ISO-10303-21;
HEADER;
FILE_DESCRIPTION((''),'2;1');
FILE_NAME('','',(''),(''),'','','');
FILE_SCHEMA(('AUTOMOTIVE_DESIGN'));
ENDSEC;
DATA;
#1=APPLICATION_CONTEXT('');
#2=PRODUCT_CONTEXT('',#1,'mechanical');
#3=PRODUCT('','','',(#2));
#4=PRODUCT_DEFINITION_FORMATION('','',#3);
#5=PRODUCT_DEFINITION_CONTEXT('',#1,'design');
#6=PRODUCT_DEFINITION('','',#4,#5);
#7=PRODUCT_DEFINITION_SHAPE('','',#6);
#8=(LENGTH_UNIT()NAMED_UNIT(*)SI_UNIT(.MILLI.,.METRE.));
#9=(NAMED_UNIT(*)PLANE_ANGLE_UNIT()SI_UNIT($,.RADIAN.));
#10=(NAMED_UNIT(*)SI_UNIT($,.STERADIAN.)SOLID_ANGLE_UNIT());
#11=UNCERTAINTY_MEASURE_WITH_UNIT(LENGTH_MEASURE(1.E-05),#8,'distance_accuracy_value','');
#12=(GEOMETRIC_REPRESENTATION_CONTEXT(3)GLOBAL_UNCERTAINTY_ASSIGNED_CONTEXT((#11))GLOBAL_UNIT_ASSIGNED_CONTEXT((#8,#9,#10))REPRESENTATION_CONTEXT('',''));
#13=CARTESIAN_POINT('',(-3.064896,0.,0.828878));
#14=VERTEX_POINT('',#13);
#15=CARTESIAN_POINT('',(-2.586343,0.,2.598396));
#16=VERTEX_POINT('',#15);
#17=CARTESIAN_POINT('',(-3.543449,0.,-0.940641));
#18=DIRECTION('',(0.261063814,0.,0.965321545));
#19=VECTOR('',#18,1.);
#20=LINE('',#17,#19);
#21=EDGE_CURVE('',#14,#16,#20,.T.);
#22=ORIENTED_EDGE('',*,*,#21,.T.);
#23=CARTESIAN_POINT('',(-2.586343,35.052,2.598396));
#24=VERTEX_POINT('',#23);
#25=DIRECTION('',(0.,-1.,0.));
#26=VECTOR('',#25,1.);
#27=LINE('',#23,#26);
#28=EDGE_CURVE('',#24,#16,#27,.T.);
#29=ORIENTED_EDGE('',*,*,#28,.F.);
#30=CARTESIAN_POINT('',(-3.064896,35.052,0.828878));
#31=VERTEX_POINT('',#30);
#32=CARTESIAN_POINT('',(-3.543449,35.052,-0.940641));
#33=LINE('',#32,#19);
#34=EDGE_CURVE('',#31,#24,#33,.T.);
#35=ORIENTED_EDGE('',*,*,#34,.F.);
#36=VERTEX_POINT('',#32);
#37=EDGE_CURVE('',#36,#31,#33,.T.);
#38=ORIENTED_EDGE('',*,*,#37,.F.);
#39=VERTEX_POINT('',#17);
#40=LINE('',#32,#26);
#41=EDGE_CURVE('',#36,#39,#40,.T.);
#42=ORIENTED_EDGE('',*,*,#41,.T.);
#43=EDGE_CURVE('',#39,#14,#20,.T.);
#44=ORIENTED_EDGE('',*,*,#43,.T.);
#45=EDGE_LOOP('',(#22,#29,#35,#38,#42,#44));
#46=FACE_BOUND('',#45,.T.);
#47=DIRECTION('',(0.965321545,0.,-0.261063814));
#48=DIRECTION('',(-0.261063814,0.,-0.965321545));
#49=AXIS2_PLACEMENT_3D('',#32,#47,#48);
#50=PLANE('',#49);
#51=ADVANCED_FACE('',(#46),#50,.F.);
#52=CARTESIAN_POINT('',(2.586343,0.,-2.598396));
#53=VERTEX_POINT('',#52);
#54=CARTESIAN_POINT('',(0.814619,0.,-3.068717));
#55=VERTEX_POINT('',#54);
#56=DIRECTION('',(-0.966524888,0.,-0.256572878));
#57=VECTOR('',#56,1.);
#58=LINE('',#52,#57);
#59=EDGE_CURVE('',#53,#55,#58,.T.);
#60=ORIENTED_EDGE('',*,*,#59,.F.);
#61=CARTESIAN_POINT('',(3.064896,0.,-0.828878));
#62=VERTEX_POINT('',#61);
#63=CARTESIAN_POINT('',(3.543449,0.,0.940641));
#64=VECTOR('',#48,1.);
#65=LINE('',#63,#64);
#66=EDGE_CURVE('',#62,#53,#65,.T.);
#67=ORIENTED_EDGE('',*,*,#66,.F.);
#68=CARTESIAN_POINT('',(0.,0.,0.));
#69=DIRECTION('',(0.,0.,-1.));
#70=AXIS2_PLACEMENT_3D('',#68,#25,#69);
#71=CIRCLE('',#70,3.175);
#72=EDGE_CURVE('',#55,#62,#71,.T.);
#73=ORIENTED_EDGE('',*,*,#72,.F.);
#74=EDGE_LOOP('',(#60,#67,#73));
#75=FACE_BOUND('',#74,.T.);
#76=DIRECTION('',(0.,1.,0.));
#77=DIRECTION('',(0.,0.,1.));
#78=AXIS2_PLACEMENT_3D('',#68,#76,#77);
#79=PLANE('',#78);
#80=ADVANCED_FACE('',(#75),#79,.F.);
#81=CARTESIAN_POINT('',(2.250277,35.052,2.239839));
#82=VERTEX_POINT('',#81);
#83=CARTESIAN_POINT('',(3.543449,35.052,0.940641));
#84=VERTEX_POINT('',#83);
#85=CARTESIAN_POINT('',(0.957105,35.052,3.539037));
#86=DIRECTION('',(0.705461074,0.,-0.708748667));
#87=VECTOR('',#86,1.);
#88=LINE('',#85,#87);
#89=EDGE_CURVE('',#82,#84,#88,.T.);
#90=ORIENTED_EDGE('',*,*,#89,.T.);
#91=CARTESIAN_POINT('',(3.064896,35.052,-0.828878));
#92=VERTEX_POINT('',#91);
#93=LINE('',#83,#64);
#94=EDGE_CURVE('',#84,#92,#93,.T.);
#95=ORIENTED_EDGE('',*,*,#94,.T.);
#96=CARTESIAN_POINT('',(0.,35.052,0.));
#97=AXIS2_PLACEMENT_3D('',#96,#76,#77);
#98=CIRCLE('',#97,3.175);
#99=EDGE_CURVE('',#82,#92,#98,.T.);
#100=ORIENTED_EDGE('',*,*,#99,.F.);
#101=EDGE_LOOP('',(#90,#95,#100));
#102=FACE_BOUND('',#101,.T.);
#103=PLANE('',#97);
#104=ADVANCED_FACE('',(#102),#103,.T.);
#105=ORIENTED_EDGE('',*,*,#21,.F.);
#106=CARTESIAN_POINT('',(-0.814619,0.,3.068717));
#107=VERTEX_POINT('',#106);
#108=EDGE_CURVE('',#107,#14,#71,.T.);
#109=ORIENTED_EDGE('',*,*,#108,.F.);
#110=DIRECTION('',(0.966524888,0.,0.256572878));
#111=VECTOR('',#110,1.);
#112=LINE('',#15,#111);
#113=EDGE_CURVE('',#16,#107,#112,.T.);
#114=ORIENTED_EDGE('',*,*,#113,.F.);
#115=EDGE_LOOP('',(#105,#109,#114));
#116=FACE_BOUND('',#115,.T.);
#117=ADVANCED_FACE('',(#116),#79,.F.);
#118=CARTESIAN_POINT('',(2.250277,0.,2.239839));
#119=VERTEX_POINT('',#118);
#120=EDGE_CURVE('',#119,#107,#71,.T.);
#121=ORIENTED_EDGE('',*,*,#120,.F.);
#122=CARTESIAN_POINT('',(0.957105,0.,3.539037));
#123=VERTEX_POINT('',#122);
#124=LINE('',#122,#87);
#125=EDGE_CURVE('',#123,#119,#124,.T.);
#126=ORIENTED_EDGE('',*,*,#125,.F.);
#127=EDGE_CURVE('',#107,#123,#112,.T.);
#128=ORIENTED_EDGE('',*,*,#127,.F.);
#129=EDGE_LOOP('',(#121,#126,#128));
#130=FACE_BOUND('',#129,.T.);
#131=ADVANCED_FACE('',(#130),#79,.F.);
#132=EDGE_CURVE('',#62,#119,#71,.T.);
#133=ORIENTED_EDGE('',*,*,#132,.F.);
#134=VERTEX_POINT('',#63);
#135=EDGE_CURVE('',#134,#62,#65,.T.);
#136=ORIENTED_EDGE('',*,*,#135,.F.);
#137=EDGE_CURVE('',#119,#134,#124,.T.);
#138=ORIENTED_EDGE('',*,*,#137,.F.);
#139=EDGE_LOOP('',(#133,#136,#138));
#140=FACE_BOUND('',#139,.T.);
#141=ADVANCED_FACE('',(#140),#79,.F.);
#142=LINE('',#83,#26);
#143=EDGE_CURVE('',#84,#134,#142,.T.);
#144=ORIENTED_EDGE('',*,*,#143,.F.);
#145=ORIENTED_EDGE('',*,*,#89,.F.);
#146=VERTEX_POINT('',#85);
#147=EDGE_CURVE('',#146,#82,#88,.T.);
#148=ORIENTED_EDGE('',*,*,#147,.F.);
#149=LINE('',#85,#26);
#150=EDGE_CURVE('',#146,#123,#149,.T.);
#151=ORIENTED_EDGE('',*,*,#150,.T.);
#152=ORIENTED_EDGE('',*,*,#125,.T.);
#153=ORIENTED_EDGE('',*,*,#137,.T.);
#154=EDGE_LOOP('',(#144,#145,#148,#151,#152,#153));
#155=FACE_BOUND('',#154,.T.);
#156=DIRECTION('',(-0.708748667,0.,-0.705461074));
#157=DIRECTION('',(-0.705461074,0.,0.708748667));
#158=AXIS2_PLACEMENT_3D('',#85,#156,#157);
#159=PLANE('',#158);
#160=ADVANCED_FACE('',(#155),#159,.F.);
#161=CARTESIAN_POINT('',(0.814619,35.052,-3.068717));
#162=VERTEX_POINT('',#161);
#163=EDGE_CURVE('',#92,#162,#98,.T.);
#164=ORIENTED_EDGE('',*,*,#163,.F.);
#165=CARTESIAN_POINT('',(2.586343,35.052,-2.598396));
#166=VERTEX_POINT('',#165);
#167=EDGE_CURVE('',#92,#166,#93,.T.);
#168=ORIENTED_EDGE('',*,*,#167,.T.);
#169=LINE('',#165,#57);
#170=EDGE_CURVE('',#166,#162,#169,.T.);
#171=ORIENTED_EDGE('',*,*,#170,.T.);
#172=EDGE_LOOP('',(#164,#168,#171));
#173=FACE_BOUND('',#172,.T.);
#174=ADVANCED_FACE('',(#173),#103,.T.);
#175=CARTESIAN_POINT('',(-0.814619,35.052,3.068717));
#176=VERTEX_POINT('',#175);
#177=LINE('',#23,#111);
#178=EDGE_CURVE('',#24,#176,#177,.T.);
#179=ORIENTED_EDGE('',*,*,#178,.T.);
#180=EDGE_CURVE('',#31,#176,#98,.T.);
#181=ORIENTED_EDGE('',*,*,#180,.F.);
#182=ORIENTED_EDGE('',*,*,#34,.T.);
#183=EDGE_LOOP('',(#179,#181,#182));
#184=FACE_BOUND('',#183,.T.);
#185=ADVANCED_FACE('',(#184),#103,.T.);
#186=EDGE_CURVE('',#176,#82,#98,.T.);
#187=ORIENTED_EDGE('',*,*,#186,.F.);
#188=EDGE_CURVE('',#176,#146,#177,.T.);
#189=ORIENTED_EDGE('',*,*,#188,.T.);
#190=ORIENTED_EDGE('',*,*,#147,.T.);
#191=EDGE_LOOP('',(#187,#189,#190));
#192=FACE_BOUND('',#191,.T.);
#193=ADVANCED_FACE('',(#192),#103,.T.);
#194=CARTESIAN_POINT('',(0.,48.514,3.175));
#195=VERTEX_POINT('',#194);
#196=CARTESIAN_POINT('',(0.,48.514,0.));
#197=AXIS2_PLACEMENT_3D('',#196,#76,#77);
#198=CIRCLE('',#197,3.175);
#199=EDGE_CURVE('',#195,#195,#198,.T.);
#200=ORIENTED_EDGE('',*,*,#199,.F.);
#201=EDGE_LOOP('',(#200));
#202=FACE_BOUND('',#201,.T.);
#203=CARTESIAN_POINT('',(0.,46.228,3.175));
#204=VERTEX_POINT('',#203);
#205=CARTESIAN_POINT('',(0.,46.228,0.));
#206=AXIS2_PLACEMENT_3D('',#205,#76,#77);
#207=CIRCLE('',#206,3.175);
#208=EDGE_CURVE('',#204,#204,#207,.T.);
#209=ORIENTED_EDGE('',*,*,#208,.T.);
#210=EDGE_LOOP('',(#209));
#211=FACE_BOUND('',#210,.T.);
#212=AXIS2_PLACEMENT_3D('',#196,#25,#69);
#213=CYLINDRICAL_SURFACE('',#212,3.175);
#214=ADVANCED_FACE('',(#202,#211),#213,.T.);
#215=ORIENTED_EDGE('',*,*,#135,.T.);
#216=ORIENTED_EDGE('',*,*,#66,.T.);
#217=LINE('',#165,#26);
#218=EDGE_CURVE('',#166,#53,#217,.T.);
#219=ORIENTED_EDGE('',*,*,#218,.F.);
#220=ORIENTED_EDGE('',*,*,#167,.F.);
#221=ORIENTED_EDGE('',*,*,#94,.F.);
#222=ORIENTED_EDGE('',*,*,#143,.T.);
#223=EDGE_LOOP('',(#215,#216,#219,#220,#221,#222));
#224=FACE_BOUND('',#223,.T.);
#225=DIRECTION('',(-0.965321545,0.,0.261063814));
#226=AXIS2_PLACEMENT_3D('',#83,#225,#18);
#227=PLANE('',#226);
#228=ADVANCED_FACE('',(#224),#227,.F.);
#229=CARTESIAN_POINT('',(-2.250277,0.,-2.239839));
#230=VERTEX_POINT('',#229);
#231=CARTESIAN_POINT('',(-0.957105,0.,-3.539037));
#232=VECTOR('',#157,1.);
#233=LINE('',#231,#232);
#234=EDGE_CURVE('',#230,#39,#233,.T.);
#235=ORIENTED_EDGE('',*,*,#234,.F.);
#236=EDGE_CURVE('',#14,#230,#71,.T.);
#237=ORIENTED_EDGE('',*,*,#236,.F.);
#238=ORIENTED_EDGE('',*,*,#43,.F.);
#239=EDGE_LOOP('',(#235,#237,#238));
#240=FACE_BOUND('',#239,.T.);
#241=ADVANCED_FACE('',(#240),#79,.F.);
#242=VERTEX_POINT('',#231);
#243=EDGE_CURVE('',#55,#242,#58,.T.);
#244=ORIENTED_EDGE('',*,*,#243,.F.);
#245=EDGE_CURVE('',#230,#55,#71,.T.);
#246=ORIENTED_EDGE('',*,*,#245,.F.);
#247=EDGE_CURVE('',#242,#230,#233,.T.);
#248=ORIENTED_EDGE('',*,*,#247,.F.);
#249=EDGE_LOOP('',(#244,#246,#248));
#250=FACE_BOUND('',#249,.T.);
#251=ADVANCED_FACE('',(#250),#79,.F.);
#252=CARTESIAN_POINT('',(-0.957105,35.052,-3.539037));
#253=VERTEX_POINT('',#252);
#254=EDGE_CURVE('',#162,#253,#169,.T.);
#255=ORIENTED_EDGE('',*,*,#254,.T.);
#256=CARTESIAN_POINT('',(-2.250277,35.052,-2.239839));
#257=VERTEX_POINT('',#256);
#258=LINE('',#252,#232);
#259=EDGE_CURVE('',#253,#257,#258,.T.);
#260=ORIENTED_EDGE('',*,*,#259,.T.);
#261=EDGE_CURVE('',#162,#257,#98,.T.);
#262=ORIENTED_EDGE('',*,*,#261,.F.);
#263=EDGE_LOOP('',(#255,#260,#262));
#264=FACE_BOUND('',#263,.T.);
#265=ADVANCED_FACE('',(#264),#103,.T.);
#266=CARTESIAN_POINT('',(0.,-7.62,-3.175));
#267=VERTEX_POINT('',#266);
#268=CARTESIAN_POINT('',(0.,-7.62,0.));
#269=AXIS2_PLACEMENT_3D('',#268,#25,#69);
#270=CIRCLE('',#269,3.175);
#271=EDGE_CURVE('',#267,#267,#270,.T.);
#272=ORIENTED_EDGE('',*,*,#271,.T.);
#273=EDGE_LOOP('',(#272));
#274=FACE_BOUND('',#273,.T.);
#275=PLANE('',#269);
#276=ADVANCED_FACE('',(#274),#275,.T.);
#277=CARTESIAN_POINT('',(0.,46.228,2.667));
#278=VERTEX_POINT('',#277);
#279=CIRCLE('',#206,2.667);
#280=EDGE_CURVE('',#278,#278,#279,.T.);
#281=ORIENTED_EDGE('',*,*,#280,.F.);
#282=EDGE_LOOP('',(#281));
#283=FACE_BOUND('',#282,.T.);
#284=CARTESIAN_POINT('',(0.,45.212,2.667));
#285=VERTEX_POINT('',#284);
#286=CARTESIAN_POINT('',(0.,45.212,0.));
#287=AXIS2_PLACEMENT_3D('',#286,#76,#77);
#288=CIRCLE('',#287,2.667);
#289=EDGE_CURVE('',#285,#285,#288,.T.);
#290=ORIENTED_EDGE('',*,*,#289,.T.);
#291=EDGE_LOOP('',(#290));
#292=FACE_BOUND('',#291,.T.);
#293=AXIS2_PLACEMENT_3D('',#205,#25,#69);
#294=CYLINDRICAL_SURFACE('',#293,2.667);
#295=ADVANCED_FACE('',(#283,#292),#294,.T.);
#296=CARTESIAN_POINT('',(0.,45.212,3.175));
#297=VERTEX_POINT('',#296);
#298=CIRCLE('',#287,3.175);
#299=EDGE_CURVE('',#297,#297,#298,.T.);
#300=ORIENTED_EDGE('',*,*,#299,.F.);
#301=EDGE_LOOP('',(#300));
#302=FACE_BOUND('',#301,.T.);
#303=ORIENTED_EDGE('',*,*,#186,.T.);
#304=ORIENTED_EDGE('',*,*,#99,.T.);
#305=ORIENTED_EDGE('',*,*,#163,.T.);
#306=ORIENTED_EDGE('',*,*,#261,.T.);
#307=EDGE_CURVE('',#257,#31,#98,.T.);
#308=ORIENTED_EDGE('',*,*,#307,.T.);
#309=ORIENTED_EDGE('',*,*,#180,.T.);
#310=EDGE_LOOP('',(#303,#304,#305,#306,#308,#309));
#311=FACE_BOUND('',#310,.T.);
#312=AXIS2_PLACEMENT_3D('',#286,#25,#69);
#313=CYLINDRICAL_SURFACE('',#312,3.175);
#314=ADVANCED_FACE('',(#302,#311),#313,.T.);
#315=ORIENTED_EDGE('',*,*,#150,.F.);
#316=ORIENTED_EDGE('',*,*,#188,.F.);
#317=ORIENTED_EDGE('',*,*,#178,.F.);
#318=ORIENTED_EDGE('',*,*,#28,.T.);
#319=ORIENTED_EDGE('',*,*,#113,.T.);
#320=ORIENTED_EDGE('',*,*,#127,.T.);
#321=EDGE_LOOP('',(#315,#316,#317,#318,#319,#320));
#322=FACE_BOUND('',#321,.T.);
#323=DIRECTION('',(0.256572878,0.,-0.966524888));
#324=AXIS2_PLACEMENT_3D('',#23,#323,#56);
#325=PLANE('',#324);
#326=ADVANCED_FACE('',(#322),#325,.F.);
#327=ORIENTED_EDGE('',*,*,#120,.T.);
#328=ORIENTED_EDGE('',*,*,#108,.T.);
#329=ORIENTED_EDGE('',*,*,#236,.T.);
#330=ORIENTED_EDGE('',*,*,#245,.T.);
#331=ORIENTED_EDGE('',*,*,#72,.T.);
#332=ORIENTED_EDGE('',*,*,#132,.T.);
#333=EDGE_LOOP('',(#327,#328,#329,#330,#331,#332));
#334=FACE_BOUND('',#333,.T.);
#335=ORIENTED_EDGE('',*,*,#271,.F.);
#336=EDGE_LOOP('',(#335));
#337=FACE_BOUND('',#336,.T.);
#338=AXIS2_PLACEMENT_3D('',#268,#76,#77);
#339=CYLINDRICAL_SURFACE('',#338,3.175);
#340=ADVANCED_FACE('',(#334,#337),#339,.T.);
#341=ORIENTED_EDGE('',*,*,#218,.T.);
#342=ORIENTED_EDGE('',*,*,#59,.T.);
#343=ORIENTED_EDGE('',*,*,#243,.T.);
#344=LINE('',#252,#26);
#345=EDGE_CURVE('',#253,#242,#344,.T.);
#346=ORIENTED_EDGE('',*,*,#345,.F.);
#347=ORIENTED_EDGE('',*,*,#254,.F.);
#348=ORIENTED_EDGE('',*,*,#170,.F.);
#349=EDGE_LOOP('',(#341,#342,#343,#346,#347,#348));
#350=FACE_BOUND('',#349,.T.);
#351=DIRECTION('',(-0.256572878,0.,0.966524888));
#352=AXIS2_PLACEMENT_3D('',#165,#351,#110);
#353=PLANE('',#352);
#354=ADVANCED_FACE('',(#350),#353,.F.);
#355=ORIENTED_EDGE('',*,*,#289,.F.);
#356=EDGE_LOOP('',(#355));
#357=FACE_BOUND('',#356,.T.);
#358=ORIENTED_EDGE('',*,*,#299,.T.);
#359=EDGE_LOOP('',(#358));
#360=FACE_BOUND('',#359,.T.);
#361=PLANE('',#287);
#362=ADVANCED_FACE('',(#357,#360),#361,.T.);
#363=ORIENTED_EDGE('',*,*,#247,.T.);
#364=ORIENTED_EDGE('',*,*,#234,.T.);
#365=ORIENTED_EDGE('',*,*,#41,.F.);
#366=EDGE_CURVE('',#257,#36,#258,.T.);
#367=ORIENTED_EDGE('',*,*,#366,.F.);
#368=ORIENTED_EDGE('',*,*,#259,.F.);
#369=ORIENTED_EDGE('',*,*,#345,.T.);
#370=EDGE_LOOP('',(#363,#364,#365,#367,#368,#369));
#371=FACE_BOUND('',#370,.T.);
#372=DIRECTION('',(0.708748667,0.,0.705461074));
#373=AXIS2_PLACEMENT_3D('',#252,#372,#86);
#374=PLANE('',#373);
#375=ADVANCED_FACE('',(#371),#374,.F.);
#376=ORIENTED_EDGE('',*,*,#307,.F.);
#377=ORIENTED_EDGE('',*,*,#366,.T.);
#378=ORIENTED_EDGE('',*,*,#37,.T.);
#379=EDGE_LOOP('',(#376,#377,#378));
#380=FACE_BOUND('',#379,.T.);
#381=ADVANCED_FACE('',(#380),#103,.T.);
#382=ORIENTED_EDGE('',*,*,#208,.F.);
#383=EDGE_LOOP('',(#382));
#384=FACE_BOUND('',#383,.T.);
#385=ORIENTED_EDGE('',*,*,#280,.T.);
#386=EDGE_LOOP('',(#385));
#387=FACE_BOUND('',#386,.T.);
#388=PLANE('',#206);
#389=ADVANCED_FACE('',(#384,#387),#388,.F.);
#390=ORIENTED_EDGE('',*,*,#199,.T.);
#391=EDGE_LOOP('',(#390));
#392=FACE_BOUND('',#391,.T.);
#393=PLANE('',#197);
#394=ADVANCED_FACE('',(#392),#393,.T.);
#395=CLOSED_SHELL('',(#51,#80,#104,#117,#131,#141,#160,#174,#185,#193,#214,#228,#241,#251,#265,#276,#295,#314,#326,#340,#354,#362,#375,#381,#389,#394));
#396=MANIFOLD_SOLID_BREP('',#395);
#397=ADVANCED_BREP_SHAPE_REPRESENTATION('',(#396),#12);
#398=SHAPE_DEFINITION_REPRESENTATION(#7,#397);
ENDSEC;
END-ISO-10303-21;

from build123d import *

# Parameters (mm, degrees)
BOSS_EXTRUDE1_DEPTH = 35.052
SKETCH3_R           = 3.175
BOSS_EXTRUDE2_DEPTH = 10.16
SKETCH4_R           = 2.667
BOSS_EXTRUDE3_DEPTH = 1.016
SKETCH5_R           = 3.175
BOSS_EXTRUDE4_DEPTH = 2.286
BOSS_EXTRUDE5_START = 7.62
SKETCH6_R           = 3.175
BOSS_EXTRUDE5_DEPTH = 7.62


with BuildPart() as part:
    # Sketch1 → Boss-Extrude1 (new body)
    with BuildSketch(Plane(origin=(0, 0, 0), x_dir=(1, 0, 0), z_dir=(0, 1, 0))):
        Polygon((2.586343195, 2.598396085), (-0.957105421, 3.539036952), (-3.543448616, 0.940640867), (-2.586343195, -2.598396085), (0.957105421, -3.539036952), (3.543448616, -0.940640867), align=None)
    extrude(amount=BOSS_EXTRUDE1_DEPTH)

    # Sketch3 → Boss-Extrude2 (add)
    with BuildSketch(Plane(origin=(0, 35.052, 0), x_dir=(1, 0, 0), z_dir=(0, 1, 0))):
        with Locations(Location((0, 0, 0), (0, 0, 75.133194449))):
            Circle(SKETCH3_R)
    extrude(amount=BOSS_EXTRUDE2_DEPTH)

    # Sketch4 → Boss-Extrude3 (add)
    with BuildSketch(Plane(origin=(0, 45.212, 0), x_dir=(1, 0, 0), z_dir=(0, 1, 0))):
        with Locations(Location((0, 0, 0), (0, 0, 270))):
            Circle(SKETCH4_R)
    extrude(amount=BOSS_EXTRUDE3_DEPTH)

    # Sketch5 → Boss-Extrude4 (add)
    with BuildSketch(Plane(origin=(0, 46.228, 0), x_dir=(1, 0, 0), z_dir=(0, 1, 0))):
        with Locations(Location((0, 0, 0), (0, 0, 75.133194449))):
            Circle(SKETCH5_R)
    extrude(amount=BOSS_EXTRUDE4_DEPTH)

    # Sketch6 → Boss-Extrude5 (add)
    with BuildSketch(Plane.XZ.offset(BOSS_EXTRUDE5_START)):
        with Locations(Location((0, 0, 0), (0, 0, 284.866805551))):
            Circle(SKETCH6_R)
    extrude(amount=-BOSS_EXTRUDE5_DEPTH)


solid = part.part
